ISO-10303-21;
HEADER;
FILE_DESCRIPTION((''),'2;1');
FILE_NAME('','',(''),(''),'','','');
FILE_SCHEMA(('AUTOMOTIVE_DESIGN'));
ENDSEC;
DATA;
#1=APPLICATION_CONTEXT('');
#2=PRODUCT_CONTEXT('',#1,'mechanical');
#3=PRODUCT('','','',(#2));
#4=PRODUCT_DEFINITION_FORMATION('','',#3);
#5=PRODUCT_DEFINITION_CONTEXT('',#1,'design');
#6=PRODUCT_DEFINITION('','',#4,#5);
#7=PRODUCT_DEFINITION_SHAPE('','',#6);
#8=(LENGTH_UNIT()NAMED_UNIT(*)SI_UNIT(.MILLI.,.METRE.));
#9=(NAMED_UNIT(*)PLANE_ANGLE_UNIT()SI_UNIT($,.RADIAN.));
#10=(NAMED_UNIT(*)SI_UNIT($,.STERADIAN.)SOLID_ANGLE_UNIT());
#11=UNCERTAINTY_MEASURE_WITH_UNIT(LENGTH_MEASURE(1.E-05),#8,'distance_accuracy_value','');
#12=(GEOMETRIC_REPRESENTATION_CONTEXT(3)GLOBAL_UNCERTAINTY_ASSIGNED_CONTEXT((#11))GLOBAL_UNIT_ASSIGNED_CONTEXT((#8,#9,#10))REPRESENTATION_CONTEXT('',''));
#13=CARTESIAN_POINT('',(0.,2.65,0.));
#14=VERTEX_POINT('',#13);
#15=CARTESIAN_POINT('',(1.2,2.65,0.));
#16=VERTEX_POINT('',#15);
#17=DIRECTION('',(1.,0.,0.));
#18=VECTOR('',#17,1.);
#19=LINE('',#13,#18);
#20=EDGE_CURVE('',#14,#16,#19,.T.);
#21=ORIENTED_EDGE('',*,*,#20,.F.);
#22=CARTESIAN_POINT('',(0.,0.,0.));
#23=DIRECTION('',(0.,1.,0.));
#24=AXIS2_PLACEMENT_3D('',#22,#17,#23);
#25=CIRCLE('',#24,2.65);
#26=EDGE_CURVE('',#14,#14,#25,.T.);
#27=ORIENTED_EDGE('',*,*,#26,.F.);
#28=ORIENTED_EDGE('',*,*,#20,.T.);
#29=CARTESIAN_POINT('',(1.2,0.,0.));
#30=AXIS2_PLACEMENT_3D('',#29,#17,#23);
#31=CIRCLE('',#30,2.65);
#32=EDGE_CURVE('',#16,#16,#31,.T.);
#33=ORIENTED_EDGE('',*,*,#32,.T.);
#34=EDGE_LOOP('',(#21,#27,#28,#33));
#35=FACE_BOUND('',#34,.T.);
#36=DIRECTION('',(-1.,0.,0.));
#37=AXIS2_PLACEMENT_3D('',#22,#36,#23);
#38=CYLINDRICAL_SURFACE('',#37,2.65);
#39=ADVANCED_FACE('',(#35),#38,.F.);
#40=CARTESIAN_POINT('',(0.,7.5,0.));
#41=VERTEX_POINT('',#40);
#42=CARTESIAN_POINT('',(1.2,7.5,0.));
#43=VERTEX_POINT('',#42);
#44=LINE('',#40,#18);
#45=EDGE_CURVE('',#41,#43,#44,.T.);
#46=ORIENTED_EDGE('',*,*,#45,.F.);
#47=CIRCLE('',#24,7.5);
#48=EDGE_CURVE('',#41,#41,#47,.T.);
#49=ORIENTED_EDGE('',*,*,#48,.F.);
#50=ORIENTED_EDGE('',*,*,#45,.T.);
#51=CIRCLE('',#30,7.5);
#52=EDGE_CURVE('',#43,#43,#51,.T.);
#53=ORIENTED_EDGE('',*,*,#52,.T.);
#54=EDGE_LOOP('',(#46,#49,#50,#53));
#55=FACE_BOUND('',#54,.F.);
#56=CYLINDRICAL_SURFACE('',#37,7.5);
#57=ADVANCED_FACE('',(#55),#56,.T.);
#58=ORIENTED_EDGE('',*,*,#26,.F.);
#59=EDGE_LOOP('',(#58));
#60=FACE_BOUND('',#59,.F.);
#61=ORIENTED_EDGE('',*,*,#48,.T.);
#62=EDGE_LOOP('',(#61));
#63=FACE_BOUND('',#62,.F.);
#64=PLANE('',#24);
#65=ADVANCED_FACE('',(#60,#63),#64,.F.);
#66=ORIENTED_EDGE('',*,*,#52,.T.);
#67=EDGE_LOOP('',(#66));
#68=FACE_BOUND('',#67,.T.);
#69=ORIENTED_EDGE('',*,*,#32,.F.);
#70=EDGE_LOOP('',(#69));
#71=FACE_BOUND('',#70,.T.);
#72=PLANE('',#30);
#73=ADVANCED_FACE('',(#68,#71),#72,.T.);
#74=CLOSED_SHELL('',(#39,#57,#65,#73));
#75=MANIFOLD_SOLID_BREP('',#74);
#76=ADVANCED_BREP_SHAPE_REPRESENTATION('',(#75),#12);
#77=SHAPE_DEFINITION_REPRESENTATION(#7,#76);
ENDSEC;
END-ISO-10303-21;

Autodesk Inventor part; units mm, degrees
ref_plane "YZ Plane" through (0, 0, 0) normal (1, 0, 0) x (0, 1, 0)
ref_plane "XZ Plane" through (0, 0, 0) normal (0, 1, 0) x (-1, 0, 0)
sketch "Sketch" plane through (0, 0, 0) normal (1, 0, 0) x (0, 1, 0)
  circle A0 centre (0, 0) radius 7.5
  circle A1 centre (0, 0) radius 2.65
  dimension "d0" = 5.3
  dimension "d1" = 15
extrude "Body" add sketch "Sketch" along normal blind 1.2
ref_plane "Work Plane1" through (0, 0, 0) normal (0, 0, 1) x (1, 0, 0)
equation "\"d0\" = SD1"
equation "\"d1\" = SD2"
equation "\"d2\" = SD"
equation "\"SD1\" = 5.3"
equation "\"SD2\" = 15"
equation "\"SD\" = 1.2"
equation "\"NND\" = 5"
properties part number "ISO 7093 A - ST 5 - 140 HV" material "Stainless Steel"
